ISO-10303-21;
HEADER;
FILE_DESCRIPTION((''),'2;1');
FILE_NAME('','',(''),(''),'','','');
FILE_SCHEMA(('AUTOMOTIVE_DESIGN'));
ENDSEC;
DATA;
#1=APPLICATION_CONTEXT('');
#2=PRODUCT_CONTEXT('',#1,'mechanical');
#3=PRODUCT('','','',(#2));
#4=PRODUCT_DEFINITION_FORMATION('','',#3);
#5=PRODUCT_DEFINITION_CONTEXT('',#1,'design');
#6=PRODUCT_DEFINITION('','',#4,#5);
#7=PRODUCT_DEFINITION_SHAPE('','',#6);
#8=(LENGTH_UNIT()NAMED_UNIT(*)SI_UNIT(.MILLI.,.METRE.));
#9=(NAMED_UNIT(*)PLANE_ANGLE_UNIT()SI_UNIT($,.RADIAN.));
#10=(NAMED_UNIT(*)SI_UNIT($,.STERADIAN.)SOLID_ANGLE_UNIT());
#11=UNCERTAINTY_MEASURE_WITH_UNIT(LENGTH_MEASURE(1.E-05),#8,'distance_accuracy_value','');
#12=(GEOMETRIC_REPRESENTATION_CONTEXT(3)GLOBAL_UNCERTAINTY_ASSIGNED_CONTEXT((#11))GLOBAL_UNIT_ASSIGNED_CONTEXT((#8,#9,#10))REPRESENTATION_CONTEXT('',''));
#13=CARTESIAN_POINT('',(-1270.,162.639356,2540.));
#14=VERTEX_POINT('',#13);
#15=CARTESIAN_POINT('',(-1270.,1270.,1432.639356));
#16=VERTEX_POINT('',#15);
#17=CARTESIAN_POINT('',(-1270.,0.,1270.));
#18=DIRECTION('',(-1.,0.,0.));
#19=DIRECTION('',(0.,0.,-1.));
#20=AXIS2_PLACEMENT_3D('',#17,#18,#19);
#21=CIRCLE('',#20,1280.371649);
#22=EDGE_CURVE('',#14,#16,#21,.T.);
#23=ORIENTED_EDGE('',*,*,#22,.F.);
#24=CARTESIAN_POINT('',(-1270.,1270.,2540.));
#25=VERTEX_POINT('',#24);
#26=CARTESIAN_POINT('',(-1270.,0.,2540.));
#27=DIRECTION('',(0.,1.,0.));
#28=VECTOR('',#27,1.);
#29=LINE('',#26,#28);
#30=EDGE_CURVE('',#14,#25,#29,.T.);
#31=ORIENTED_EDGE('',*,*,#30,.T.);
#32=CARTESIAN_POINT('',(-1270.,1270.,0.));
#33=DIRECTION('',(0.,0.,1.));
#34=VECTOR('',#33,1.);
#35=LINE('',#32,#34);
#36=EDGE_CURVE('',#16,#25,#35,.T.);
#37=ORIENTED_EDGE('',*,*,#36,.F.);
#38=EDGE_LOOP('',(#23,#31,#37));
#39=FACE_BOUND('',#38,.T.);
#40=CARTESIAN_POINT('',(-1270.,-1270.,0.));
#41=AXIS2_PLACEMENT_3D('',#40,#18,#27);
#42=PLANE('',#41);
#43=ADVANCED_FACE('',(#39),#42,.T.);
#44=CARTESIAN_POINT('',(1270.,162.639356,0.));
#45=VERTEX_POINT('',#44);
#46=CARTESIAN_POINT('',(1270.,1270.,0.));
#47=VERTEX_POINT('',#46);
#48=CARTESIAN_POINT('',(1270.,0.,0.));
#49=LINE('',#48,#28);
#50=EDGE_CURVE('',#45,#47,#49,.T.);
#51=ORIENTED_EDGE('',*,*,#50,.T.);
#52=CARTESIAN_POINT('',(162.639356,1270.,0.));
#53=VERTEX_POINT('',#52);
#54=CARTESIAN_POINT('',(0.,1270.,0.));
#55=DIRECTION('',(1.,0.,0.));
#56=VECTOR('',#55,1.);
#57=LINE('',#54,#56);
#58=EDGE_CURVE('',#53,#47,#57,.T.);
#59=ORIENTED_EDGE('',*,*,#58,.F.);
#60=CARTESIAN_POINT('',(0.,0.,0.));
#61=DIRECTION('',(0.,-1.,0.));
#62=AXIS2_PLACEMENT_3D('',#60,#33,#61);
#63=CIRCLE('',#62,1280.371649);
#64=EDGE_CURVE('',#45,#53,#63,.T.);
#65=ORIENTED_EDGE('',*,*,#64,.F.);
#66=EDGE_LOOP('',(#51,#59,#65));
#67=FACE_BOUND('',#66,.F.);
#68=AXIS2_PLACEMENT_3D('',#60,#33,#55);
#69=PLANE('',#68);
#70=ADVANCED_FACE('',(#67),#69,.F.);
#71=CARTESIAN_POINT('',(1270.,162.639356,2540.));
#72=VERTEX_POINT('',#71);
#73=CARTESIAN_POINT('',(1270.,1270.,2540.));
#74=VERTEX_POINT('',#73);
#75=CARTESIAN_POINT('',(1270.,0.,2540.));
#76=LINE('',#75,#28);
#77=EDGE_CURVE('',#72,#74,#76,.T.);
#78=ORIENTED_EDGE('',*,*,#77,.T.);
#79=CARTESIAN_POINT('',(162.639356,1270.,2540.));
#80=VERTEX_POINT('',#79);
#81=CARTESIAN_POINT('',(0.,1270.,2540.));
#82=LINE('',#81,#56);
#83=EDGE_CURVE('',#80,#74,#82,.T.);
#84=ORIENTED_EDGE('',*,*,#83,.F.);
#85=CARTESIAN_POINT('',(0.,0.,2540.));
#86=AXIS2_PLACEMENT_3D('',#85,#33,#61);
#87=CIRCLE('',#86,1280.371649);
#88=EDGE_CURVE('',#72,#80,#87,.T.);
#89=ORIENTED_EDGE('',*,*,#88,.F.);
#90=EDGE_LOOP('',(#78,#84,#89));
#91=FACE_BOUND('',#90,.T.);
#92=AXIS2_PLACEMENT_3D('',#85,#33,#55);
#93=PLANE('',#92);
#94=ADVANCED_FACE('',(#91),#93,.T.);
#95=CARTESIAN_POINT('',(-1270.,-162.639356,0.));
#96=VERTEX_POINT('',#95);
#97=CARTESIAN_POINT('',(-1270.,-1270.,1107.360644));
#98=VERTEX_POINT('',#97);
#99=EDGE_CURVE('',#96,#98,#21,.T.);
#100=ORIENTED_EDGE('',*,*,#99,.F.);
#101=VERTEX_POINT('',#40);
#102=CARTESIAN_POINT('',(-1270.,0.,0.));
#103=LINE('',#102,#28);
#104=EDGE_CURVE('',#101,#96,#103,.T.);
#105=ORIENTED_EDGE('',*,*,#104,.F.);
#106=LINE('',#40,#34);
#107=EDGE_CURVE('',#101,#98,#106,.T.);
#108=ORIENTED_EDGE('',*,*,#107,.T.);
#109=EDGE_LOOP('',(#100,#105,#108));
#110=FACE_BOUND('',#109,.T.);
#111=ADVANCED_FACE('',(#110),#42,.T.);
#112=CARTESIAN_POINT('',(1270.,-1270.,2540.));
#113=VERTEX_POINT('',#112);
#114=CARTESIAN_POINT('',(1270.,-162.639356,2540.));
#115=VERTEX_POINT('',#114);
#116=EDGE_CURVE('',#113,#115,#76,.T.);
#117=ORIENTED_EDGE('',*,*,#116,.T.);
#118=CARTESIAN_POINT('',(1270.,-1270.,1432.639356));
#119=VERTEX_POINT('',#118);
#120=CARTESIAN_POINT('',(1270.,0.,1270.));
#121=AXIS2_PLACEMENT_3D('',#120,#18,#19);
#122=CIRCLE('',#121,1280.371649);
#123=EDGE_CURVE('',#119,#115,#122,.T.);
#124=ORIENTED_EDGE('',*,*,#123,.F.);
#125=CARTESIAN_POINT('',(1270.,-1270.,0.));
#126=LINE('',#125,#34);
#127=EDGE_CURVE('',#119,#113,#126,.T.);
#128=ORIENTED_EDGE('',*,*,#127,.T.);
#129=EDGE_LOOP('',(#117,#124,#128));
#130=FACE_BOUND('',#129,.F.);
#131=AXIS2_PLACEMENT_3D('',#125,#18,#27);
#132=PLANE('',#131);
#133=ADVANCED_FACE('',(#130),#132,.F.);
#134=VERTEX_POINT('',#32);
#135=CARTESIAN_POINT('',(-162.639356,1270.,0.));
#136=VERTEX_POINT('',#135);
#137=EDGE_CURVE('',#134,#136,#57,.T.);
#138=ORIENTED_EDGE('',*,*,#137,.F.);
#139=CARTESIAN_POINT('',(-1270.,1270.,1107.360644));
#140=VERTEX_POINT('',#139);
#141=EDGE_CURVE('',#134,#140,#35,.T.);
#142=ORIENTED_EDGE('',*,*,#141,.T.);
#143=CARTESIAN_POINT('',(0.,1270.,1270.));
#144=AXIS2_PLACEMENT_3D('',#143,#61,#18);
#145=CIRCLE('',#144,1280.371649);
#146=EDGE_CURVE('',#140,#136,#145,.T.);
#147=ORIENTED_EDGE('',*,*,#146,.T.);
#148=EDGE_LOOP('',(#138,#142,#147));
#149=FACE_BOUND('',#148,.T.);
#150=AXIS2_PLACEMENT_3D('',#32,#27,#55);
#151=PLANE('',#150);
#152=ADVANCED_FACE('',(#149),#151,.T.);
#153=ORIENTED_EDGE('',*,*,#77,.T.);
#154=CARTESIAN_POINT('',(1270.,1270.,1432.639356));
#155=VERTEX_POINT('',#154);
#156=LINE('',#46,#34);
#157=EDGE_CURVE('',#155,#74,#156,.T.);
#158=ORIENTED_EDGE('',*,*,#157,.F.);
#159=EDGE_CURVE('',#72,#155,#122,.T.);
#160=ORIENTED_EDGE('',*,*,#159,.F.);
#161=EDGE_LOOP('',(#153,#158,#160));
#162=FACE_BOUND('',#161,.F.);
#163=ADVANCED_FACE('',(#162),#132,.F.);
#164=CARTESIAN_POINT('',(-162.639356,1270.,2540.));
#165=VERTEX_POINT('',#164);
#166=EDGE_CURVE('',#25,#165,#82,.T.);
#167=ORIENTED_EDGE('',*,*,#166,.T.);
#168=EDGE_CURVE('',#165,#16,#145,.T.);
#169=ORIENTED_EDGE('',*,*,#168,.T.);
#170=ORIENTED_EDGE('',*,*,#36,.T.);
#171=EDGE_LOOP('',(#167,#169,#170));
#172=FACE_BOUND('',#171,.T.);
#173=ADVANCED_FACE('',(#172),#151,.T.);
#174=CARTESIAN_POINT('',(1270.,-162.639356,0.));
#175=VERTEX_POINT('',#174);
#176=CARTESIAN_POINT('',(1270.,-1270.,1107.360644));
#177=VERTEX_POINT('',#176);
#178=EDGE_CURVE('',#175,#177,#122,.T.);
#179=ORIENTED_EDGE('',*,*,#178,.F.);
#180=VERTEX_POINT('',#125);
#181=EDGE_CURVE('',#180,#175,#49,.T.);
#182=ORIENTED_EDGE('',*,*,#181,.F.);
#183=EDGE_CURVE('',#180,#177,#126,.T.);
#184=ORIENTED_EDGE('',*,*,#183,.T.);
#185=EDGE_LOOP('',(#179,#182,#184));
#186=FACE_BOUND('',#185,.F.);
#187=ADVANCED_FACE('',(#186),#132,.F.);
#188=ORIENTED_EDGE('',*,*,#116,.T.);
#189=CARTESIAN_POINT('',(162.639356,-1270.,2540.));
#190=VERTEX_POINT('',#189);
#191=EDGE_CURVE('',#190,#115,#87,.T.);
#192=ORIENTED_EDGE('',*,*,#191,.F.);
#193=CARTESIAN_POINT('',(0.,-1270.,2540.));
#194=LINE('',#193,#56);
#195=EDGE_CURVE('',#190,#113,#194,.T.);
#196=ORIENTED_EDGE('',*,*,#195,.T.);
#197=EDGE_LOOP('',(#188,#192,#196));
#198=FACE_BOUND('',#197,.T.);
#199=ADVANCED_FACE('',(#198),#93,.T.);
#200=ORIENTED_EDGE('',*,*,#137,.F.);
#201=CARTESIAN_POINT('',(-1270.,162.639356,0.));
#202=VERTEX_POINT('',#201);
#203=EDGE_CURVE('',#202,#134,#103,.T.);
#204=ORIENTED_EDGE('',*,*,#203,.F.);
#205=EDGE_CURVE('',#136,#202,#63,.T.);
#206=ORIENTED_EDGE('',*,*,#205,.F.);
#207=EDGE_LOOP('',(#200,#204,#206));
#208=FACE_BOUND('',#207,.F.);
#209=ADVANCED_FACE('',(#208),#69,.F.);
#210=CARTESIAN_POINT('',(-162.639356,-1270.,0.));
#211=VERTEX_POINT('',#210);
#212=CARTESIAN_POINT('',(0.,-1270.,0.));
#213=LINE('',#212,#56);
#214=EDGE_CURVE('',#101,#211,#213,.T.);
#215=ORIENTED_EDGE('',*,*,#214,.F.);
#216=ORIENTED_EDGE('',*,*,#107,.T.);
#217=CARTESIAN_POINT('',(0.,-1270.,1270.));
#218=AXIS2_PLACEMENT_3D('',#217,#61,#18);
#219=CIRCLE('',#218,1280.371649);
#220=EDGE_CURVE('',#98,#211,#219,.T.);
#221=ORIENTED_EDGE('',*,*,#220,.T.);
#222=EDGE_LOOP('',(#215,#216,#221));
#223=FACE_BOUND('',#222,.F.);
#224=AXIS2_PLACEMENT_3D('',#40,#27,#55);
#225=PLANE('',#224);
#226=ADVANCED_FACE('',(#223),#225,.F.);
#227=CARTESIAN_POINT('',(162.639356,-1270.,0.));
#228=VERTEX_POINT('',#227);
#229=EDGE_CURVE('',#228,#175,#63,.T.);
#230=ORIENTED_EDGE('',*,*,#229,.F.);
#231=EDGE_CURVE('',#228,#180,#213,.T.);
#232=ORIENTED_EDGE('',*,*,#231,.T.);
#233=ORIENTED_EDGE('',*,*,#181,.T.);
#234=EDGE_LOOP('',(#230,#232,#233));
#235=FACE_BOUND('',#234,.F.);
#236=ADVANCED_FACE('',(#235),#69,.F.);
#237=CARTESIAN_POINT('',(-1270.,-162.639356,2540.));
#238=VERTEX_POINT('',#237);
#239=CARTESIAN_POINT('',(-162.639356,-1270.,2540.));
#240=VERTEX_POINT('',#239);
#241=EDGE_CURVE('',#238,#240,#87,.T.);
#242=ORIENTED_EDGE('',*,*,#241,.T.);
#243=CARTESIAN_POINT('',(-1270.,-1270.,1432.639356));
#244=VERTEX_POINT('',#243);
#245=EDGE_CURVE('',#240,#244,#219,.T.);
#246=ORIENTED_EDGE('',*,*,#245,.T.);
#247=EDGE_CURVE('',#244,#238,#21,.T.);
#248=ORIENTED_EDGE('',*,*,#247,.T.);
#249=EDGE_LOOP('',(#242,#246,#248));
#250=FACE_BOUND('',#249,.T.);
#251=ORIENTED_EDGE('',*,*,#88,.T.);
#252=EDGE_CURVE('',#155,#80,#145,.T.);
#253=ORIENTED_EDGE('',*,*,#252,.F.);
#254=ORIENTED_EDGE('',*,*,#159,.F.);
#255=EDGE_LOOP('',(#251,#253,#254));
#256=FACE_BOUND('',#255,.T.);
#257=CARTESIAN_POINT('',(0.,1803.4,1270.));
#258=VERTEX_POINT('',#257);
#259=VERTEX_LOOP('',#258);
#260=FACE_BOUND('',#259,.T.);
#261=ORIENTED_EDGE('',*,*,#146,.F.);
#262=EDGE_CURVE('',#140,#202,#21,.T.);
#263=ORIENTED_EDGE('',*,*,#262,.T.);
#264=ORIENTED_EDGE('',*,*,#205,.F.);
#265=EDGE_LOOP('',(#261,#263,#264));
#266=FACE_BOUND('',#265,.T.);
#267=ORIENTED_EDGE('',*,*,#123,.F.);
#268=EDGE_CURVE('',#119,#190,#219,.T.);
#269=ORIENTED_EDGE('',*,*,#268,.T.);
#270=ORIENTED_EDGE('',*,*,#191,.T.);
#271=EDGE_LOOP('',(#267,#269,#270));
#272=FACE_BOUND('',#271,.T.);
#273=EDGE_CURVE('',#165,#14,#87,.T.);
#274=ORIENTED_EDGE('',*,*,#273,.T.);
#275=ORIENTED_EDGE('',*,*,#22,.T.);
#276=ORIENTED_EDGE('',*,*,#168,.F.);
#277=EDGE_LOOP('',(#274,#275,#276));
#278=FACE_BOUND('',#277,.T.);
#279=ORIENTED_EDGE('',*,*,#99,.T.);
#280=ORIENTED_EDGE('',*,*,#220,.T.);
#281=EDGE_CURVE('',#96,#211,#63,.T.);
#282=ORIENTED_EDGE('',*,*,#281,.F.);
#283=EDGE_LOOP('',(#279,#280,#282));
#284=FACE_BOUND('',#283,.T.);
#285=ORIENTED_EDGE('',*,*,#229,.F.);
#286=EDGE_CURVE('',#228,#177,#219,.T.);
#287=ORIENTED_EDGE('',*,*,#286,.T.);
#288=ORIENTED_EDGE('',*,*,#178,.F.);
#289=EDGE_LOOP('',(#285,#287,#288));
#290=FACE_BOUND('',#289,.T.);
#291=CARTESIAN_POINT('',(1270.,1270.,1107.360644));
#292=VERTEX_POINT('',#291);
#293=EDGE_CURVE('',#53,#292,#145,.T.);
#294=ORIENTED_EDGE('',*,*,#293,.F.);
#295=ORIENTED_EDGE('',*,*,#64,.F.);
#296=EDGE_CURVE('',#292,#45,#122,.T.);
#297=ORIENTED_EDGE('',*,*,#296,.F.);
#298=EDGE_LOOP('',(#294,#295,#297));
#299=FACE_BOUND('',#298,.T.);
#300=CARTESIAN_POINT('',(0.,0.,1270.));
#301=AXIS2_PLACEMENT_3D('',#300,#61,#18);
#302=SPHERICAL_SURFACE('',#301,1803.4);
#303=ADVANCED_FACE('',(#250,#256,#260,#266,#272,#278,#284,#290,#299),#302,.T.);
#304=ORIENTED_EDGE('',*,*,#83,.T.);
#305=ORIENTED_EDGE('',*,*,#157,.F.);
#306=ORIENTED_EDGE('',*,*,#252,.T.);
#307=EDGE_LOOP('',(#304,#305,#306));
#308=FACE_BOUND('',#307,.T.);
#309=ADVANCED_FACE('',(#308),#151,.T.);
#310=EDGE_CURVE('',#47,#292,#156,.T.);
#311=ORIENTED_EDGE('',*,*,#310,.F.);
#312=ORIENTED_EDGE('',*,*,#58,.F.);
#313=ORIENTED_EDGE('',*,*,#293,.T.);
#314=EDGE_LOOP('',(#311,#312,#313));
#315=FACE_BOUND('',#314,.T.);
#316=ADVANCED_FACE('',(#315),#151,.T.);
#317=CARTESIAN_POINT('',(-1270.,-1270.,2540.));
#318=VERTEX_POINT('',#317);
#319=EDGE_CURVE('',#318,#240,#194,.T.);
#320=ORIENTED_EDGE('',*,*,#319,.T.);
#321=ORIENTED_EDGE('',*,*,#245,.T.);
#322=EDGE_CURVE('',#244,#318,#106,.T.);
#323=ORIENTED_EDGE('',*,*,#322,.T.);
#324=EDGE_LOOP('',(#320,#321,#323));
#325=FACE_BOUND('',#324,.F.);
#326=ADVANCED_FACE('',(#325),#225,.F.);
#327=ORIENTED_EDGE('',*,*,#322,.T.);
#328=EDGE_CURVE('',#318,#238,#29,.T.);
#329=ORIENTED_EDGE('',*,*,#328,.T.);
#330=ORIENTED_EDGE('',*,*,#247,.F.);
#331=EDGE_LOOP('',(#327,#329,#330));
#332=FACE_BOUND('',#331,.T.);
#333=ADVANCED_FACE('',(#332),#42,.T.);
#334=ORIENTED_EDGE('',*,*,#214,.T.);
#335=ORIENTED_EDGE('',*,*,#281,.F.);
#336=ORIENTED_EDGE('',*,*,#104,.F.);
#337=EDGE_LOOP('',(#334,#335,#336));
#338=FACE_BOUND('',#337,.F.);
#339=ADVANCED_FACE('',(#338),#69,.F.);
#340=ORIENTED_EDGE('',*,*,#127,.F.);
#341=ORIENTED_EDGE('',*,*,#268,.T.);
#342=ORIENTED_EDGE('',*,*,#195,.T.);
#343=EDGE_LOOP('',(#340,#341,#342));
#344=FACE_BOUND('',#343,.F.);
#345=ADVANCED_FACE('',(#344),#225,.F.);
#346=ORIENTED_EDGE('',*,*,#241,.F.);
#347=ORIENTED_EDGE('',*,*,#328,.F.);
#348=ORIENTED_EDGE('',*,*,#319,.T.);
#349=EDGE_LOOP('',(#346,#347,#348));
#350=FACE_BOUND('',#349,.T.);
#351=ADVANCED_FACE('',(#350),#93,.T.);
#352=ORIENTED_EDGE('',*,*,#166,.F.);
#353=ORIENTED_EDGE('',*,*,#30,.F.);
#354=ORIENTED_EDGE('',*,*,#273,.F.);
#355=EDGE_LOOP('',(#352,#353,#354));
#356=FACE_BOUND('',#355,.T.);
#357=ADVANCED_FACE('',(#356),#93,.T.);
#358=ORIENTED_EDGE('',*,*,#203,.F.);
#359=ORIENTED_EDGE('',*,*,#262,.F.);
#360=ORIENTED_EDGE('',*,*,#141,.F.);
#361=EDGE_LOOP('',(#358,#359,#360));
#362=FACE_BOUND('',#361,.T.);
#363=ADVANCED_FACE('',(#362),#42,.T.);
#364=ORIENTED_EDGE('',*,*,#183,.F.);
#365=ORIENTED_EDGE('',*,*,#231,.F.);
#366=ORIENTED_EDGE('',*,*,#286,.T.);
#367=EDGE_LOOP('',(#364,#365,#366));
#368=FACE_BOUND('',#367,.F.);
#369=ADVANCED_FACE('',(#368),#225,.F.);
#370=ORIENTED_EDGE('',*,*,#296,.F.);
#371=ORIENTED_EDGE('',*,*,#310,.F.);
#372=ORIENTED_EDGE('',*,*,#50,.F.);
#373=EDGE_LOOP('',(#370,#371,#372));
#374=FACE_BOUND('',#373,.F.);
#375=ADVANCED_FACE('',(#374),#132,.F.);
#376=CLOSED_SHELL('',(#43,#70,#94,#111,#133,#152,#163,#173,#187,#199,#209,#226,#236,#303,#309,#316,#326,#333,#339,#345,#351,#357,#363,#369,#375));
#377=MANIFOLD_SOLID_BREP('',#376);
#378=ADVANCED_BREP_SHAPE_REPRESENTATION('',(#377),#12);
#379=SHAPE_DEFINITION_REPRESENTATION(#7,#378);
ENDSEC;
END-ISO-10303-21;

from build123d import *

# Parameters (mm, degrees)
F1_W     = 2540
F1_H     = 2540
F3_DEPTH = 2540


with BuildPart() as f3:
    # F1 (on Top) → F3 (new body)
    with BuildSketch(Plane.XY):
        Rectangle(F1_W, F1_H)
    extrude(amount=F3_DEPTH)

    # F2 (on offset) → F4 (revolve)
    with BuildSketch(Plane.XY.offset(1270)):
        with BuildLine():
            Line((0, -1803.4), (0, 1803.4))
            ThreePointArc((0, 1803.4), (-1803.4, 0), (0, -1803.4))
        make_face()
    revolve(axis=Axis((0, 0, 1270), (0, -1, 0)))


solid = f3.part
